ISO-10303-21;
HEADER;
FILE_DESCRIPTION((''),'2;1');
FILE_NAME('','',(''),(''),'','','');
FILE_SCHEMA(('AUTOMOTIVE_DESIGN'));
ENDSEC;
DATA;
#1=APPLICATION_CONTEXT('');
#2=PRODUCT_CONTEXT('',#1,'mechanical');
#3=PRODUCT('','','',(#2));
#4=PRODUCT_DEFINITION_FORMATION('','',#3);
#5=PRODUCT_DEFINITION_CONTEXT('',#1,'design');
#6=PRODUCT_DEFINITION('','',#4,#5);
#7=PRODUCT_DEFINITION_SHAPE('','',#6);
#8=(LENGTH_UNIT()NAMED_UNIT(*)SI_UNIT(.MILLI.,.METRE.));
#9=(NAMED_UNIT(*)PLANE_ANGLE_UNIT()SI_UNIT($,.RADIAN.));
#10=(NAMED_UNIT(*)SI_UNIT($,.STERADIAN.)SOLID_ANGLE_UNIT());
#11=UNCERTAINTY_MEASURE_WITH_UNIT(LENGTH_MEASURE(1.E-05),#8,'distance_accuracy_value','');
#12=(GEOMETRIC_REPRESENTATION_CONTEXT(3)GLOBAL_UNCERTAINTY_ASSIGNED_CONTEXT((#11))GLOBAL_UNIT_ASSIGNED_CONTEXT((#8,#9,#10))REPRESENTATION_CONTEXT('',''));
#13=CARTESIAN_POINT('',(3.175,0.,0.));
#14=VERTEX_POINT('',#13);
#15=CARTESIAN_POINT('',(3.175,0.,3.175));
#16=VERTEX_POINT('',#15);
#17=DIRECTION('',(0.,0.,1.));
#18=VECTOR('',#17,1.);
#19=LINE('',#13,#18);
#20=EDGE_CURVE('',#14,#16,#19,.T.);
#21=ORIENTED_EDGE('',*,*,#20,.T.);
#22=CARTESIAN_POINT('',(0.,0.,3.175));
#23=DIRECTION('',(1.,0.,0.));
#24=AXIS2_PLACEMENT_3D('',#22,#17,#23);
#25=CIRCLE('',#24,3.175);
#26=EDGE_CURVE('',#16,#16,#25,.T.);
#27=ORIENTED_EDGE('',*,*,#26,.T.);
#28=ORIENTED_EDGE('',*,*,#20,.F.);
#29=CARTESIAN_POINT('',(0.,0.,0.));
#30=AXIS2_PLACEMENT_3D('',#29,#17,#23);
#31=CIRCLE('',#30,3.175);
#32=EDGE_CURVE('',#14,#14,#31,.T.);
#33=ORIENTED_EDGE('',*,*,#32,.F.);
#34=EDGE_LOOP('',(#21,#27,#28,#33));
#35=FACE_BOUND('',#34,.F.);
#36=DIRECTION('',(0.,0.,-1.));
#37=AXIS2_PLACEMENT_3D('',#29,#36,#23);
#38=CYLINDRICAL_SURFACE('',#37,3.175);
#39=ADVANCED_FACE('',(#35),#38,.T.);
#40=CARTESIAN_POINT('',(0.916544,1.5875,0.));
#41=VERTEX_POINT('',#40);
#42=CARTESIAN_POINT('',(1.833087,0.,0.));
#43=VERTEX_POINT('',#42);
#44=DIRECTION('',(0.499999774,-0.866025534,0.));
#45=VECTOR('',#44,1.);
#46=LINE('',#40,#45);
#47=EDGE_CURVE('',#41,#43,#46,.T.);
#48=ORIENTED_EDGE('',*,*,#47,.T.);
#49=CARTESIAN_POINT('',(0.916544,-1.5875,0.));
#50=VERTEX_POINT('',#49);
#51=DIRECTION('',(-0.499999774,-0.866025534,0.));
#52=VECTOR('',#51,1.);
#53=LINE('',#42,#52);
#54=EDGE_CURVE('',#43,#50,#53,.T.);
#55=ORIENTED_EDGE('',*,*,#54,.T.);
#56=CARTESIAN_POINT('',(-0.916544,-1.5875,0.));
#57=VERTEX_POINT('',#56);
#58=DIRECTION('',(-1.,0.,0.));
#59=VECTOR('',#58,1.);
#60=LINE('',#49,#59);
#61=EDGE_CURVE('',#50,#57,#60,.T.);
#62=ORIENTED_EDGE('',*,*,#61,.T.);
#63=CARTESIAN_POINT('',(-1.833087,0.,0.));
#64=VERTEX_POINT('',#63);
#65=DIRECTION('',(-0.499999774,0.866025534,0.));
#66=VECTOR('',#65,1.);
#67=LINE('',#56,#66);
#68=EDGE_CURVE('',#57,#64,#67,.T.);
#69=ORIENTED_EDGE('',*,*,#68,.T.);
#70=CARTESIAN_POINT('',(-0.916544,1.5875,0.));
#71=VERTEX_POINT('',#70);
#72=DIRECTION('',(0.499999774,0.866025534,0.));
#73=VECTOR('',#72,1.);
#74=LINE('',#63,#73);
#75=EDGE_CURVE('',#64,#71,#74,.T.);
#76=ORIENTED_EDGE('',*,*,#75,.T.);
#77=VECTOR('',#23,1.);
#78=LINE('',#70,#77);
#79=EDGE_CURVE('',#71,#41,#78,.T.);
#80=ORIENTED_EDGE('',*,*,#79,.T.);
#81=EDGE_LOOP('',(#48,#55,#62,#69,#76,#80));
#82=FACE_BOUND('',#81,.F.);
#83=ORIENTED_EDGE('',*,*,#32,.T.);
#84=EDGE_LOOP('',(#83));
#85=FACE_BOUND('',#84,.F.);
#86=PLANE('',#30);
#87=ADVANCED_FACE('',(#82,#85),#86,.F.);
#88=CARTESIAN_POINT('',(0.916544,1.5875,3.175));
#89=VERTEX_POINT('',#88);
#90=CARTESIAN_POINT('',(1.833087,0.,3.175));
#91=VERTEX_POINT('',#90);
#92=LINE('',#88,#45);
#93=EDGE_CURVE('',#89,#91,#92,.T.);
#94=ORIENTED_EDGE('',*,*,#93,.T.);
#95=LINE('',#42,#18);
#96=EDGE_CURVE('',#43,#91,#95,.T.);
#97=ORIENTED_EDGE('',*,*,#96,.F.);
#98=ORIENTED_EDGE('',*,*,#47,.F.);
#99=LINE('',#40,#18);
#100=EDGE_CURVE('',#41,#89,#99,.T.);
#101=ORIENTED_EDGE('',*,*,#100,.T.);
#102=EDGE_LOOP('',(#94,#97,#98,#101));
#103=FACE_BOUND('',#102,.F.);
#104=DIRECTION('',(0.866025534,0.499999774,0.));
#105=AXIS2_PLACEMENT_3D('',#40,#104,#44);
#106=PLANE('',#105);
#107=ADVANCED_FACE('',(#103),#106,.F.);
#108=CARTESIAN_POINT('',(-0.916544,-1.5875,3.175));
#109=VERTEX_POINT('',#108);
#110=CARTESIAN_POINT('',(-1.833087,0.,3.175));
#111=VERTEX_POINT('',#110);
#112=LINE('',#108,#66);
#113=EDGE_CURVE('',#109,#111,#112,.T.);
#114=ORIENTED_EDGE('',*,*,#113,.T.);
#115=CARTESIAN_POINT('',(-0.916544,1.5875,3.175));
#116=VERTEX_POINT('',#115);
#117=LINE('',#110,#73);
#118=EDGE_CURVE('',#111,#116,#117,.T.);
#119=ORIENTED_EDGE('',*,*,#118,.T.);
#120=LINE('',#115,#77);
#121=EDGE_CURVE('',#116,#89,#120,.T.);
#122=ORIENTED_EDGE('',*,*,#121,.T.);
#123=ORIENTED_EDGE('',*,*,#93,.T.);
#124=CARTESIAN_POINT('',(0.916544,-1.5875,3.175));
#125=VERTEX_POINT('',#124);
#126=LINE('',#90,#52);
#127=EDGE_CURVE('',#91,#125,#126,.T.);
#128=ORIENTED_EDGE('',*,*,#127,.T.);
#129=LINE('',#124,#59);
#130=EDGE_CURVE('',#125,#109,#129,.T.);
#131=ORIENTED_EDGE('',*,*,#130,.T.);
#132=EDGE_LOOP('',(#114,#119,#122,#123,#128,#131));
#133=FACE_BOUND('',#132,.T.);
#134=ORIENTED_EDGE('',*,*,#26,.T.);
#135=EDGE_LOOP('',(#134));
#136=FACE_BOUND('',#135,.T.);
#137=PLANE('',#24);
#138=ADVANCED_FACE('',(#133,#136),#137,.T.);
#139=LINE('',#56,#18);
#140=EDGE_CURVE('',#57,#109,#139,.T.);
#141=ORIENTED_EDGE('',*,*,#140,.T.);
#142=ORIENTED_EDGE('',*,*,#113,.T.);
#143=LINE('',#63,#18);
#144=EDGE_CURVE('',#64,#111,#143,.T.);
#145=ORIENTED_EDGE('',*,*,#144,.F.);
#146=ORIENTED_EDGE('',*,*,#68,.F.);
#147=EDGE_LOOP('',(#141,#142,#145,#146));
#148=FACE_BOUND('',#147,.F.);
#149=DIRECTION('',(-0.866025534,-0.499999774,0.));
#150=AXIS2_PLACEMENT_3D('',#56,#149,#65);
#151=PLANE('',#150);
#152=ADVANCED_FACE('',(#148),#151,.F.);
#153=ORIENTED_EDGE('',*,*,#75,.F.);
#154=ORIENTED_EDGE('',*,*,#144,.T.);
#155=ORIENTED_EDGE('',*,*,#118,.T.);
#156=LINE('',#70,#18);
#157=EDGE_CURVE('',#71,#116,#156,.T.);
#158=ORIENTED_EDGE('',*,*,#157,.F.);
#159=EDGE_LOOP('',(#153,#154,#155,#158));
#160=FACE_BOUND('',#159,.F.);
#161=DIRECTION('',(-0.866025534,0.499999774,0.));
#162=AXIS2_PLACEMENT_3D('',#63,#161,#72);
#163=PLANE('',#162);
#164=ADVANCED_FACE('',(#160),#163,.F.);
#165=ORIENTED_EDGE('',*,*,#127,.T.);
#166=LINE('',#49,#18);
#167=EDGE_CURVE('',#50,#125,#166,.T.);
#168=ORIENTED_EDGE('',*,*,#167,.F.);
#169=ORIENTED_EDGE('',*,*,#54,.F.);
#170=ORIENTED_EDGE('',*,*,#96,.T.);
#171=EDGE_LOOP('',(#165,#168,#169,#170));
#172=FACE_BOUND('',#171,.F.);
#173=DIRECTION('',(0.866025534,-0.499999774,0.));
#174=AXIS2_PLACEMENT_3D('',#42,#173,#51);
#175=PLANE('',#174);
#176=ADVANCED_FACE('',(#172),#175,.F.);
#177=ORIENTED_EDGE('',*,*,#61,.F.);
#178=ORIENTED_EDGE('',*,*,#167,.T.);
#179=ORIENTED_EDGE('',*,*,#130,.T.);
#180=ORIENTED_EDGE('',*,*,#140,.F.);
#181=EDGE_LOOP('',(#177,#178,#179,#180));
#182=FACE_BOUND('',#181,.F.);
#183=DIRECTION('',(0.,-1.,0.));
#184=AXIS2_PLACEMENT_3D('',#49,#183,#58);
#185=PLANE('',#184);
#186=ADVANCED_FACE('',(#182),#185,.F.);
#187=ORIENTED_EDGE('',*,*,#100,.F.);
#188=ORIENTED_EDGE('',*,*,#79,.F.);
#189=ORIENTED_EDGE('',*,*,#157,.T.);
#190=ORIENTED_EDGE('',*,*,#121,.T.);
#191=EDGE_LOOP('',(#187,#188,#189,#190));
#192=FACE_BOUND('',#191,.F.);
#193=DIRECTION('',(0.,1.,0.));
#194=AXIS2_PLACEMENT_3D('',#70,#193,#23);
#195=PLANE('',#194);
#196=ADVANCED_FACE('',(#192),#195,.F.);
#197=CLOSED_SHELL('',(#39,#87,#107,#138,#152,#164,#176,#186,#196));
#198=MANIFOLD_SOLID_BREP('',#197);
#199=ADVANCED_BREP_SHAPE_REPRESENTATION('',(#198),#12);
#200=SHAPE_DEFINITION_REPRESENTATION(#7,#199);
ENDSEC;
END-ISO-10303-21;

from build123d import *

# Parameters (mm, degrees)
F0_R     = 3.175
F1_DEPTH = 3.175
F2_R     = 1.5875
F3_DEPTH = 34.925


with BuildPart() as f1:
    # F0 (on Top) → F1 (new body)
    with BuildSketch(Plane.XY):
        Circle(F0_R)
        Polygon((-1.833087, 0), (-0.916544, 1.5875), (0.916544, 1.5875), (1.833087, 0), (0.916544, -1.5875), (-0.916544, -1.5875), align=None, mode=Mode.SUBTRACT)
    extrude(amount=F1_DEPTH)

    # F2 (on Top) → F3 (cut)
    with BuildSketch(Plane.XY):
        Circle(F2_R)
    extrude(amount=-F3_DEPTH, mode=Mode.SUBTRACT)


solid = f1.part
